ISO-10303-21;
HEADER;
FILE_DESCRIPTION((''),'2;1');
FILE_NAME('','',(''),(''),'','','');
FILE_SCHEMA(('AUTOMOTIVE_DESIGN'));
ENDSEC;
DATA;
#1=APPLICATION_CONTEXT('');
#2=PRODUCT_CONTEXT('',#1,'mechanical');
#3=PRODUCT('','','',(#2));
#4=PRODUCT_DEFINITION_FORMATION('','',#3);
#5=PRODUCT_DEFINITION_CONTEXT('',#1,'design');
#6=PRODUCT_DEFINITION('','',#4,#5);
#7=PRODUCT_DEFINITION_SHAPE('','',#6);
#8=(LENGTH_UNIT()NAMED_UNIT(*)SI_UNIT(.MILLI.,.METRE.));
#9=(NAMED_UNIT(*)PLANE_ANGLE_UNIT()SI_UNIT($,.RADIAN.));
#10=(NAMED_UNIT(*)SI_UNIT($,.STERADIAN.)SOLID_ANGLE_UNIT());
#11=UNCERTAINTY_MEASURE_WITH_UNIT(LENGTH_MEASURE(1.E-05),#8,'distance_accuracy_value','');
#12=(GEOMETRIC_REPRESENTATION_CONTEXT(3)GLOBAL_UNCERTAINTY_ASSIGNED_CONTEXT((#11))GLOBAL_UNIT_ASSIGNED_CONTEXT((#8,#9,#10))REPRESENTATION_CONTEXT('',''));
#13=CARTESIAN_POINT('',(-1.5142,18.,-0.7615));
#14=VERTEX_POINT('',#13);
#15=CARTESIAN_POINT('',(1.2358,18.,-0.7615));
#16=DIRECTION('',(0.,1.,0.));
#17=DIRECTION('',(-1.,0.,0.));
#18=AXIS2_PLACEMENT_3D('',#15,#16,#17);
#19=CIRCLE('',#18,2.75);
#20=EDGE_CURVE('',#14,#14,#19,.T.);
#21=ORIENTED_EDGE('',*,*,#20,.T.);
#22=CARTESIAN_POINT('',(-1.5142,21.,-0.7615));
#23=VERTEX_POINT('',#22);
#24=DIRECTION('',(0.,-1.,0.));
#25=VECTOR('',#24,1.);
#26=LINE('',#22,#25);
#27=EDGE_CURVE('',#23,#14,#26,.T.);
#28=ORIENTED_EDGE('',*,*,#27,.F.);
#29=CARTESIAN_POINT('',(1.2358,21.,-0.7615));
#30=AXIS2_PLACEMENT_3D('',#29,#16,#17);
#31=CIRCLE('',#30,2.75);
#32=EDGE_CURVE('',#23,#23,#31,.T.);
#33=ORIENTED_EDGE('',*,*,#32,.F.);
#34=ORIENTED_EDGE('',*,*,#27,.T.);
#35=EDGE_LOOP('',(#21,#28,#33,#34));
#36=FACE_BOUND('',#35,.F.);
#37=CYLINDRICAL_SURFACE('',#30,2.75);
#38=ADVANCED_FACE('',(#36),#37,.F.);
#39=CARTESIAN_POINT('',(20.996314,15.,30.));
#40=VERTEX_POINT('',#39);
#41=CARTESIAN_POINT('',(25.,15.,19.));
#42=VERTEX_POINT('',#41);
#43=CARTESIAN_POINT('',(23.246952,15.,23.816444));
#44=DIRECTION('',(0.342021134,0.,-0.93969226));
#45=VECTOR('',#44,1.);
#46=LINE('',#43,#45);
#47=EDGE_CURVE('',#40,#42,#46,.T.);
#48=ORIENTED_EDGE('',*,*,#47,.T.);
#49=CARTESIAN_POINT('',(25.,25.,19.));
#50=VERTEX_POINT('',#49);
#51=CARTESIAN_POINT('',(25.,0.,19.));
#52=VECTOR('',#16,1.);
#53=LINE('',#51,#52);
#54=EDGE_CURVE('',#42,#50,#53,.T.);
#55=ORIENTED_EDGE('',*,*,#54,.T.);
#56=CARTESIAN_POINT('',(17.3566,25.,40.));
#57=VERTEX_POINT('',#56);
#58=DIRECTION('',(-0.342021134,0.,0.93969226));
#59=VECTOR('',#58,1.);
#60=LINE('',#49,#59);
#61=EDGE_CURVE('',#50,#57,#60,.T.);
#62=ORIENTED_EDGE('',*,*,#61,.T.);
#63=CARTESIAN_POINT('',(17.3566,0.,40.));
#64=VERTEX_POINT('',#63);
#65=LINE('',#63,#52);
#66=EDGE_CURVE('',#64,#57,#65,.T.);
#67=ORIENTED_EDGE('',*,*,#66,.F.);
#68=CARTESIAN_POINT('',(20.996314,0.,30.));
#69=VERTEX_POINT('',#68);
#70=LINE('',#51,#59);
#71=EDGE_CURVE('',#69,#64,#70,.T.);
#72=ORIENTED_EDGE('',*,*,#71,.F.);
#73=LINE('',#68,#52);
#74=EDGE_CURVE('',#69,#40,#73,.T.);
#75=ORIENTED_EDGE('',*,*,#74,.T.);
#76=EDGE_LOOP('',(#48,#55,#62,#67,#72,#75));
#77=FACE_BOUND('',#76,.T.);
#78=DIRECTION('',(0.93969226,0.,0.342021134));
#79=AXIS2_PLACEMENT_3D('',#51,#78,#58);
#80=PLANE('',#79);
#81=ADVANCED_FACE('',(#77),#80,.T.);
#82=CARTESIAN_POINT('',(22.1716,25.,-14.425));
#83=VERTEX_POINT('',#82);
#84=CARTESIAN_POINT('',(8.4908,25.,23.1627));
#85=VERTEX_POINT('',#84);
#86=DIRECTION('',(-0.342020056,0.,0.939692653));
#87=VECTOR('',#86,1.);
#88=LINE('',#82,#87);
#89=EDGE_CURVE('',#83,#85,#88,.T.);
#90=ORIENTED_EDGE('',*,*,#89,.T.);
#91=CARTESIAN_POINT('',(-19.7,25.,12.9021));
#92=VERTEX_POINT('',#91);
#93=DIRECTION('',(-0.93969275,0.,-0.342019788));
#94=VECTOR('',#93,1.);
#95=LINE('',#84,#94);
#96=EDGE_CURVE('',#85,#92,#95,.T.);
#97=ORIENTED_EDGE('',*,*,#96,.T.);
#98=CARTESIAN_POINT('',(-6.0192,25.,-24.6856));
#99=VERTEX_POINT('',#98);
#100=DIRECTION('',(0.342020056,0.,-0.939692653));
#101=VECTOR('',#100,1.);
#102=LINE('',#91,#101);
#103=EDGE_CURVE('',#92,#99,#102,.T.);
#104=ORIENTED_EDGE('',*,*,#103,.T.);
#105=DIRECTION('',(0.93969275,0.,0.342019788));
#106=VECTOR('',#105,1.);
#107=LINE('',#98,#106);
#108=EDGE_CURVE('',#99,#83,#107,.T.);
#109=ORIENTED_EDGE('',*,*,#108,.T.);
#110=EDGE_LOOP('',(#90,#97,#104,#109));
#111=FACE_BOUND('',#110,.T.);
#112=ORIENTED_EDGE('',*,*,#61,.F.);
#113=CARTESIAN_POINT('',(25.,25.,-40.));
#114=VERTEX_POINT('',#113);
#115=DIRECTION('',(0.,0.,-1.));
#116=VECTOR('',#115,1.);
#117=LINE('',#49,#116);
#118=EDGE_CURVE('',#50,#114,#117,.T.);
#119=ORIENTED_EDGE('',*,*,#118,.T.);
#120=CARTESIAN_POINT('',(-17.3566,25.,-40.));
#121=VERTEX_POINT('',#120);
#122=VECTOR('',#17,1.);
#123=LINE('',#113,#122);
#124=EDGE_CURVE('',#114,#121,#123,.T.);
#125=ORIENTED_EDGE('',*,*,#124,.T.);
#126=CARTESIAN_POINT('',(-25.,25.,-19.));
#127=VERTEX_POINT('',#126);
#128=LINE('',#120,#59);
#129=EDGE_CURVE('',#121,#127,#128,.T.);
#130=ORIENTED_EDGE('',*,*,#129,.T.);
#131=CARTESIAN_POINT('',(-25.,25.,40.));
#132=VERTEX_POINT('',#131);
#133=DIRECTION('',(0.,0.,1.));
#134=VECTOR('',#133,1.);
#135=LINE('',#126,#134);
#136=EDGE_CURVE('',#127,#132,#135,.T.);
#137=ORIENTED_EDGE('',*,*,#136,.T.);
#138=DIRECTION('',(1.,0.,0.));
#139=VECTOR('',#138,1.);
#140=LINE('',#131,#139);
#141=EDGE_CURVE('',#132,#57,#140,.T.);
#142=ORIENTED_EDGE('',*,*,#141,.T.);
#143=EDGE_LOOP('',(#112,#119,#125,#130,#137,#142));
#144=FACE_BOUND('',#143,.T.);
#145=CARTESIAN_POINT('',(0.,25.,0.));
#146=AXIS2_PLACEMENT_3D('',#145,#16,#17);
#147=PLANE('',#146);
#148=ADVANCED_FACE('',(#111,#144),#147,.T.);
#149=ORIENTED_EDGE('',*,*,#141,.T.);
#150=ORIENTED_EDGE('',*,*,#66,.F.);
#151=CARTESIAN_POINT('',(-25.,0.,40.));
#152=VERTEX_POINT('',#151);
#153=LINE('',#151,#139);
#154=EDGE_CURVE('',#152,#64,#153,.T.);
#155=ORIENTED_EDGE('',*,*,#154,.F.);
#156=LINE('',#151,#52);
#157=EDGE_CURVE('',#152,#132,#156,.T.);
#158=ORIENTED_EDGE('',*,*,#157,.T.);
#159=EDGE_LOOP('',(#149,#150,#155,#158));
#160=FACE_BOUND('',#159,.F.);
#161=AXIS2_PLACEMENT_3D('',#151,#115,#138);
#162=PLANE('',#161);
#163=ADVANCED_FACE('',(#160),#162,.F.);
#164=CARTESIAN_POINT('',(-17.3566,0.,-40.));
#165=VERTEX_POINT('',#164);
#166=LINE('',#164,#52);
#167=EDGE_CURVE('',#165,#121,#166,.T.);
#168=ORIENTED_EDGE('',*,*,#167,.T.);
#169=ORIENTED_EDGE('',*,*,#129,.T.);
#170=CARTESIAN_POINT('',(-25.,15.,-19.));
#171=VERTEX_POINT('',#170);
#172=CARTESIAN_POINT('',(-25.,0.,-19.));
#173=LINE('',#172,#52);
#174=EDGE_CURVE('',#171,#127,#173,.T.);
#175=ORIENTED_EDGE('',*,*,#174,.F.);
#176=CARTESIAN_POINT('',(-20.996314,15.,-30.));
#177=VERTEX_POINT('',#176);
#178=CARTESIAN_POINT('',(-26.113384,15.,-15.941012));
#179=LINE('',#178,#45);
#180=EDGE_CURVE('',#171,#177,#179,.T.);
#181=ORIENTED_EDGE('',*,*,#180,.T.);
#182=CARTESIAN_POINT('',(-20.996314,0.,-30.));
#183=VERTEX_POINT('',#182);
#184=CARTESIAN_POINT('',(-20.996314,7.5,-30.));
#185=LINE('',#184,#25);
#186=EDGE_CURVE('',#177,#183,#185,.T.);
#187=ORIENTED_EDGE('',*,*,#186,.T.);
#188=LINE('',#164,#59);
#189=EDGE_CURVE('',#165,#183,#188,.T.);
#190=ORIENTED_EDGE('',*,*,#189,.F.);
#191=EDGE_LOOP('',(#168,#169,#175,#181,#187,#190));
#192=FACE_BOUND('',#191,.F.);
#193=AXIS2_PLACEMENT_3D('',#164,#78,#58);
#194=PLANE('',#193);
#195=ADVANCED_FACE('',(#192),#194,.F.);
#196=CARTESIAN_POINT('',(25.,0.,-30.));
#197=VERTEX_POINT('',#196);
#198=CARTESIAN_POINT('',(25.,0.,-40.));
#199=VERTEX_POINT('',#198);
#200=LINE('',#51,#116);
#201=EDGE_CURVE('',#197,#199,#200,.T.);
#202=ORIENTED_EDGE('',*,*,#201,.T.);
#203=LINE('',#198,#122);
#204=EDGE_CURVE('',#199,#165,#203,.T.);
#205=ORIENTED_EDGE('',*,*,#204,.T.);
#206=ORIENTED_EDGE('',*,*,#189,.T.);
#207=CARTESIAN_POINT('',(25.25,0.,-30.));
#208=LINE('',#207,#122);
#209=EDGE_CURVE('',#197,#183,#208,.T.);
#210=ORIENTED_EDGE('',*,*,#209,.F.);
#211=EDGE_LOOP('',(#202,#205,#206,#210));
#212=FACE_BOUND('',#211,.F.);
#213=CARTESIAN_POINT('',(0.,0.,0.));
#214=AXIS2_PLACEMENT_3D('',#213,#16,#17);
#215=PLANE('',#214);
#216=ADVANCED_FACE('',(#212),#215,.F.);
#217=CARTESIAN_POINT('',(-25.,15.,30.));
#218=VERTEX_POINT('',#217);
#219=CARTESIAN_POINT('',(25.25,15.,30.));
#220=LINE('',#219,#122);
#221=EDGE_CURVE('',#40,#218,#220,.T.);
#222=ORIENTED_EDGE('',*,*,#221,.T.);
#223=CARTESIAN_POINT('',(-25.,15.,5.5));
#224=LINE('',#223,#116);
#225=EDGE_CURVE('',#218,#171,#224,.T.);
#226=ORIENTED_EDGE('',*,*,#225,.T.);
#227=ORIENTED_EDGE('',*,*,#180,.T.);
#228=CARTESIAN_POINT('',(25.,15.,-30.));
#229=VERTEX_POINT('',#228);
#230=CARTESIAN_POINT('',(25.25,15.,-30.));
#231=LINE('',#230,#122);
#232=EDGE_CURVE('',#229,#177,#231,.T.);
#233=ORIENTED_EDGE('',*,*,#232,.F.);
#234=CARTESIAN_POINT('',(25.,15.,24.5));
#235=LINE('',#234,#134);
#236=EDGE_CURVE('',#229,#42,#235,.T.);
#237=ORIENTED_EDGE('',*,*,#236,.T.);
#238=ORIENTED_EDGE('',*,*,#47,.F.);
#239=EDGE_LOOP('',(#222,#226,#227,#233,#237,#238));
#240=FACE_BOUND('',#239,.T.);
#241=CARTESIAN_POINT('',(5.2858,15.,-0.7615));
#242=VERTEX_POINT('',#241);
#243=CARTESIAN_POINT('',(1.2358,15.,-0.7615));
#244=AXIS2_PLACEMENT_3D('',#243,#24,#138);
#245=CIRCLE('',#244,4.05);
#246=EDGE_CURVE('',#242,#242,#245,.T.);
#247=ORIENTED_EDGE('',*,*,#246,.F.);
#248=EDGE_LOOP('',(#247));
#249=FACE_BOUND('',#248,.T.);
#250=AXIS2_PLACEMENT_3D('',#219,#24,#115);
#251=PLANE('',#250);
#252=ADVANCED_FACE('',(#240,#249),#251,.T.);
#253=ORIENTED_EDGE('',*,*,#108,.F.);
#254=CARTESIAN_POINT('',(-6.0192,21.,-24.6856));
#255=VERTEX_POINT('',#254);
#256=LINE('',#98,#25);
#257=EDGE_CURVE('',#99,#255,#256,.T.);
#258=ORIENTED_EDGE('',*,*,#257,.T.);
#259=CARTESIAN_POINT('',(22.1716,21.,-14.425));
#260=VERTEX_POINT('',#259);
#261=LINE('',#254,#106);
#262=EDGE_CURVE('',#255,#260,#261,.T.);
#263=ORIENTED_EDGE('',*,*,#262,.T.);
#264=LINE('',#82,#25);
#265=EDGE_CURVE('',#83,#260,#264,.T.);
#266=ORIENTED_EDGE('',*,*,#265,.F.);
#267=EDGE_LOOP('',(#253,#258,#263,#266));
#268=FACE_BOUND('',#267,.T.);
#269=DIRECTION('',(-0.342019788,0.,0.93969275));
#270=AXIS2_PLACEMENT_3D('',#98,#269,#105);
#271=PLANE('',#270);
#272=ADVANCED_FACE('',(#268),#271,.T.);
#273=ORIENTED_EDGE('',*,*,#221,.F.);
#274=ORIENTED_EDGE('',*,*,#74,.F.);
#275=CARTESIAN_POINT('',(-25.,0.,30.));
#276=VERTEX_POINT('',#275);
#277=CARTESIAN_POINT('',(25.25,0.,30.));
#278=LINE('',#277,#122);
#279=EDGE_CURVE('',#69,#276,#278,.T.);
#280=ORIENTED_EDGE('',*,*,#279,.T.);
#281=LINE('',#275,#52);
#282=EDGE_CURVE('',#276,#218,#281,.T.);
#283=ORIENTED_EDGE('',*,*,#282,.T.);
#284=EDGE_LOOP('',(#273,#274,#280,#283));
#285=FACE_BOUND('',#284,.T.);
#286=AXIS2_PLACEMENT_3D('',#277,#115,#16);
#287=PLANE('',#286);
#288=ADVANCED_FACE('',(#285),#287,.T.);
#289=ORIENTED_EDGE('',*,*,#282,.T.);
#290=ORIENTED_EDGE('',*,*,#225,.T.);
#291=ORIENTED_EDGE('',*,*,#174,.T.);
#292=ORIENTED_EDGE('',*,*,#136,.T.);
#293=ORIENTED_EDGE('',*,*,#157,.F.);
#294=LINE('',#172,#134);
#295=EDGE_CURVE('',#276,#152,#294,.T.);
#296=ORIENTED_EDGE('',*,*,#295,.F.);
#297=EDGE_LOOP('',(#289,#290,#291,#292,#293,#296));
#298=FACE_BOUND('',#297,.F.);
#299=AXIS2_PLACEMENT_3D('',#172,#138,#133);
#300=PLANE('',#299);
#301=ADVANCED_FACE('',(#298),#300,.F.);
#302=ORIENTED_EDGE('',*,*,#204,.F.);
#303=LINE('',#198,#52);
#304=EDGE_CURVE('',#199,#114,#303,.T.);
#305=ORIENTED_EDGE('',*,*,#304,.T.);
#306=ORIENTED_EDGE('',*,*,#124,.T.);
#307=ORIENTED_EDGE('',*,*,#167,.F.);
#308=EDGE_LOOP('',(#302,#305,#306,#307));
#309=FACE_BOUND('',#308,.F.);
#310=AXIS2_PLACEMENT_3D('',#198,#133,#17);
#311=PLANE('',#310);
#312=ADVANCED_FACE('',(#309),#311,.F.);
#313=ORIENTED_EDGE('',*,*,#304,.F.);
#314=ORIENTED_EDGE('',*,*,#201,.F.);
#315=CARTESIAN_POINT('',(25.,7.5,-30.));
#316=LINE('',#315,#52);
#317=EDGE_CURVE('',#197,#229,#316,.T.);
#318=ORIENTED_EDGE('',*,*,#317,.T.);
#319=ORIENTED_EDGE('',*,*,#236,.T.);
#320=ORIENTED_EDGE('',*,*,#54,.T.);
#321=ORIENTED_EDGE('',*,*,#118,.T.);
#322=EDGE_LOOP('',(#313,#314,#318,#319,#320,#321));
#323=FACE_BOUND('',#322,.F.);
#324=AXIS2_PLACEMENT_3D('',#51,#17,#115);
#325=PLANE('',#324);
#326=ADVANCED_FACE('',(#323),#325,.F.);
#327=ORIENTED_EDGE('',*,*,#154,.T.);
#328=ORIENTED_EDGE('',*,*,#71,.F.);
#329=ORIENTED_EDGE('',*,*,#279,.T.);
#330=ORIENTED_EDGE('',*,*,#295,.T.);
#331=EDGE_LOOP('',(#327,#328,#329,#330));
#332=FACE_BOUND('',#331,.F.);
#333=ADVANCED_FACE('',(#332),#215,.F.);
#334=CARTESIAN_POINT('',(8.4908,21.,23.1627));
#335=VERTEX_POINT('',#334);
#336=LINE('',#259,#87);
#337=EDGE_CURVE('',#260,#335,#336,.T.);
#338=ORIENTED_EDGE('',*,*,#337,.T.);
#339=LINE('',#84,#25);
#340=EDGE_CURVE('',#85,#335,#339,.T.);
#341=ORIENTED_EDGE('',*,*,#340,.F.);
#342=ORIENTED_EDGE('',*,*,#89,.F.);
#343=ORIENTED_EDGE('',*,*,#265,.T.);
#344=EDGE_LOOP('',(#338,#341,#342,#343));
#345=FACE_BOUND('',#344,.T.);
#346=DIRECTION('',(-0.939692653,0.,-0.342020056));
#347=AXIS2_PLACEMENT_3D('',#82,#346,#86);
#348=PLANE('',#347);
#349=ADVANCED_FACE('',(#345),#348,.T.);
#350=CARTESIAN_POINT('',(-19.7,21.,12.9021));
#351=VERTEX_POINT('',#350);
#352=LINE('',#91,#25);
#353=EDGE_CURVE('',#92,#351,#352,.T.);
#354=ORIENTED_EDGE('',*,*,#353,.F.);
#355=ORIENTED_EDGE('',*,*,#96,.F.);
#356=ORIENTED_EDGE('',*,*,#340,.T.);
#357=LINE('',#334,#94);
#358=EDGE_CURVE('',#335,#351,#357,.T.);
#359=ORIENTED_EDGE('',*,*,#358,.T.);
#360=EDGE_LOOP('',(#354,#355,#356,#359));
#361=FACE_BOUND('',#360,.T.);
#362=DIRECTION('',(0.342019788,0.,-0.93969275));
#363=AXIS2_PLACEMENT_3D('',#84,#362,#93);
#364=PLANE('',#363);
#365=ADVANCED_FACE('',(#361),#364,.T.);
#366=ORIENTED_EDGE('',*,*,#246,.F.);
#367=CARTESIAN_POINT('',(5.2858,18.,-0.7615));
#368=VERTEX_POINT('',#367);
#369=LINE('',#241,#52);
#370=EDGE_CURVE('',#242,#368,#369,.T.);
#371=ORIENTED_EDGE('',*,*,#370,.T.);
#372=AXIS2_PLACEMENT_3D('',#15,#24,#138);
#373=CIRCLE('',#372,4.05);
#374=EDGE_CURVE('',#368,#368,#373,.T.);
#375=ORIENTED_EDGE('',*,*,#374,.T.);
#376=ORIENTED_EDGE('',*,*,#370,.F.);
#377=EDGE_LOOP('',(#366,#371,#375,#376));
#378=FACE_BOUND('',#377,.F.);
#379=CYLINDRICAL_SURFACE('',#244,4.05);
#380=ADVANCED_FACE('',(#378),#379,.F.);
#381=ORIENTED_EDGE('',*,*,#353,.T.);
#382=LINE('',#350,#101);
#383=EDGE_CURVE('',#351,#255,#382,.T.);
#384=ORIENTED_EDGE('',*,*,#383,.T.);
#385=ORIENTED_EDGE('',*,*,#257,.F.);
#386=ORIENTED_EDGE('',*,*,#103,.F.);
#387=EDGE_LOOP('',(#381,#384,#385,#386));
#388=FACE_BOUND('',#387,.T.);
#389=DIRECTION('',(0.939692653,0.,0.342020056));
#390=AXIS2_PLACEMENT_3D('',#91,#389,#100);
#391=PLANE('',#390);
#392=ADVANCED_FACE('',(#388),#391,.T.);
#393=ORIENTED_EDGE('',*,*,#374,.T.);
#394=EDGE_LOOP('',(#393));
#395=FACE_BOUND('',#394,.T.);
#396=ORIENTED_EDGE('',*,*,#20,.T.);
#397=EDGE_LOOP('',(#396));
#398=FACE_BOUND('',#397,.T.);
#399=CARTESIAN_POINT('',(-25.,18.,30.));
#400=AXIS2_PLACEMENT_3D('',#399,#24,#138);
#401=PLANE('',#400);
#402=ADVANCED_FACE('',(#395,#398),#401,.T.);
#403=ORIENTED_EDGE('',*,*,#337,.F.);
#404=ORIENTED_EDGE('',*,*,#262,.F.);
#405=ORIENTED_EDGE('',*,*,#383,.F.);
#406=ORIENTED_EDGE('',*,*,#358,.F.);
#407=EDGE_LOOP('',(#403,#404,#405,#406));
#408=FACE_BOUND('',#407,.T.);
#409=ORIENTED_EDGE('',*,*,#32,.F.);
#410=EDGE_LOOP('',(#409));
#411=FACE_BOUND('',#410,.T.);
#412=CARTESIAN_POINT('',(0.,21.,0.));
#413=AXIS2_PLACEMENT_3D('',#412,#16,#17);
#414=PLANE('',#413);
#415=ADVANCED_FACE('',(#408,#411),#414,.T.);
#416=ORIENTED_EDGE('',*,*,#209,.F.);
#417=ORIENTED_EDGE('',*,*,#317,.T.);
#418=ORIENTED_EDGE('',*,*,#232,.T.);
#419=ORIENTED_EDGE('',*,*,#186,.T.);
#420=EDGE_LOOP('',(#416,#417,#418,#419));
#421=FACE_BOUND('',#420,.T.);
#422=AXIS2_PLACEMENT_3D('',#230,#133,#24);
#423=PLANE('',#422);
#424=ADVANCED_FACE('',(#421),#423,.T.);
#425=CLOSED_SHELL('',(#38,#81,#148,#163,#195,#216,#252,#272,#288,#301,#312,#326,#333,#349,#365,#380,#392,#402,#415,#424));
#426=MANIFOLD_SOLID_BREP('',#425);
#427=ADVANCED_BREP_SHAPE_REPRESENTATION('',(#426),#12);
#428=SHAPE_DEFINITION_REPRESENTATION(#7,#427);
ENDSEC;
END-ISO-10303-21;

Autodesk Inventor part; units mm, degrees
sketch "Sketch1" plane through (0, 0, 0) normal (0, 1, 0) x (-1, 0, 0)
  line L0 (-25, -40) -> (25, -40) construction
  line L1 (25, -40) -> (25, 40) construction
  line L2 (25, 40) -> (-25, 40) construction
  line L3 (-25, 40) -> (-25, -40) construction
  line L4 (-25, 19) -> (-17.3566, 40)
  line L5 (17.3566, -40) -> (25, -19)
  line L6 (25, -19) -> (25, 40)
  line L7 (25, 40) -> (-17.3566, 40)
  line L8 (-25, 19) -> (-25, -40)
  line L9 (-25, -40) -> (17.3566, -40)
  point P0 (0, 0)
  point P1 (25, 0)
  point P2 (0, -40)
  dimension "d0" = 50
  dimension "d1" = 80
  dimension "d2" = 21
  dimension "d3" = 20
  dimension "d4" = 20
  dimension "d5" = 21
extrude "Extrusion1" add sketch "Sketch1" along normal blind 25
ref_plane "Work Plane1" through (25.25, 0, 0) normal (1, 0, 0) x (0, 1, 0)
sketch "Sketch2" plane through (25.25, 0, 0) normal (1, 0, 0) x (0, 1, 0)
  line L0 (0, 40) -> (0, 19) construction
  line L1 (0, 19) -> (25, 19) construction
  line L2 (25, 40) -> (25, 19) construction
  line L3 (0, 40) -> (25, 40) construction
  line L4 (0, 19) -> (0, -40) construction
  line L5 (0, -40) -> (25, -40) construction
  line L6 (25, 19) -> (25, -40) construction
  line L7 (0, 19) -> (25, 19) construction
  line L8 (0, 30) -> (0, -30)
  line L9 (0, 30) -> (15, 30)
  line L10 (15, 30) -> (15, -30)
  line L11 (15, -30) -> (0, -30)
  point P0 (0, 0)
  dimension "d9" = 60
  dimension "d10" = 10
  dimension "d11" = 15
extrude "Extrusion2" cut sketch "Sketch2" against normal through all
ref_plane "Work Plane2" through (0, 25, 0) normal (0, 1, 0) x (-1, 0, 0)
sketch "Sketch3" plane through (0, 25, 0) normal (0, 1, 0) x (-1, 0, 0)
  line L0 (17.3566, -40) -> (25, -19) construction
  line L1 (25, -19) -> (25, 40) construction
  line L2 (25, 40) -> (-17.3566, 40) construction
  line L3 (-17.3566, 40) -> (-25, 19) construction
  line L4 (-25, 19) -> (-25, -40) construction
  line L5 (-25, -40) -> (17.3566, -40) construction
  line L6 (6.0192, -24.6856) -> (-22.1716, -14.425)
  line L7 (-22.1716, -14.425) -> (-8.4908, 23.1627)
  line L8 (-8.4908, 23.1627) -> (19.7, 12.9021)
  line L9 (19.7, 12.9021) -> (6.0192, -24.6856)
  point P0 (0, 0)
  dimension "d15" = 30
  dimension "d16" = 40
  dimension "d17" = 30
  dimension "d18" = 25
  dimension "d19" = 70
  dimension "d20" = 5.3
extrude "Extrusion3" cut sketch "Sketch3" against normal blind 4
ref_plane "Work Plane3" through (0, 21, 0) normal (0, 1, 0) x (-1, 0, 0)
sketch "Sketch4" plane through (0, 21, 0) normal (0, 1, 0) x (-1, 0, 0)
  line L0 (-22.1716, -14.425) -> (-8.4908, 23.1627) construction
  line L1 (-8.4908, 23.1627) -> (19.7, 12.9021) construction
  line L2 (19.7, 12.9021) -> (6.0192, -24.6856) construction
  line L3 (6.0192, -24.6856) -> (-22.1716, -14.425) construction
  line L4 (17.3566, -40) -> (25, -19) construction
  line L5 (25, -19) -> (25, 40) construction
  line L6 (25, 40) -> (-17.3566, 40) construction
  line L7 (-17.3566, 40) -> (-25, 19) construction
  line L8 (-25, 19) -> (-25, -40) construction
  line L9 (-25, -40) -> (17.3566, -40) construction
  line L10 (-8.0762, -19.5553) -> (5.6046, 18.0324) construction
  line L11 (12.8596, -5.8918) -> (-15.3312, 4.3688) construction
  circle A0 centre (-1.2358, -0.7615) radius 2.75
  point P0 (0, 0)
  dimension "d24" = 5.5
extrude "Extrusion4" cut sketch "Sketch4" against normal through all
sketch "Sketch5" plane through (-25, 15, 30) normal (0, -1, 0) x (1, 0, 0)
  circle A0 centre (26.2358, -30.7615) radius 2.75 construction
  circle A1 centre (26.2358, -30.7615) radius 4.05
  point P0 (25, -30)
  dimension "d27" = 8.1
extrude "Extrusion5" cut sketch "Sketch5" against normal blind 3
properties part number "base_obj3"
